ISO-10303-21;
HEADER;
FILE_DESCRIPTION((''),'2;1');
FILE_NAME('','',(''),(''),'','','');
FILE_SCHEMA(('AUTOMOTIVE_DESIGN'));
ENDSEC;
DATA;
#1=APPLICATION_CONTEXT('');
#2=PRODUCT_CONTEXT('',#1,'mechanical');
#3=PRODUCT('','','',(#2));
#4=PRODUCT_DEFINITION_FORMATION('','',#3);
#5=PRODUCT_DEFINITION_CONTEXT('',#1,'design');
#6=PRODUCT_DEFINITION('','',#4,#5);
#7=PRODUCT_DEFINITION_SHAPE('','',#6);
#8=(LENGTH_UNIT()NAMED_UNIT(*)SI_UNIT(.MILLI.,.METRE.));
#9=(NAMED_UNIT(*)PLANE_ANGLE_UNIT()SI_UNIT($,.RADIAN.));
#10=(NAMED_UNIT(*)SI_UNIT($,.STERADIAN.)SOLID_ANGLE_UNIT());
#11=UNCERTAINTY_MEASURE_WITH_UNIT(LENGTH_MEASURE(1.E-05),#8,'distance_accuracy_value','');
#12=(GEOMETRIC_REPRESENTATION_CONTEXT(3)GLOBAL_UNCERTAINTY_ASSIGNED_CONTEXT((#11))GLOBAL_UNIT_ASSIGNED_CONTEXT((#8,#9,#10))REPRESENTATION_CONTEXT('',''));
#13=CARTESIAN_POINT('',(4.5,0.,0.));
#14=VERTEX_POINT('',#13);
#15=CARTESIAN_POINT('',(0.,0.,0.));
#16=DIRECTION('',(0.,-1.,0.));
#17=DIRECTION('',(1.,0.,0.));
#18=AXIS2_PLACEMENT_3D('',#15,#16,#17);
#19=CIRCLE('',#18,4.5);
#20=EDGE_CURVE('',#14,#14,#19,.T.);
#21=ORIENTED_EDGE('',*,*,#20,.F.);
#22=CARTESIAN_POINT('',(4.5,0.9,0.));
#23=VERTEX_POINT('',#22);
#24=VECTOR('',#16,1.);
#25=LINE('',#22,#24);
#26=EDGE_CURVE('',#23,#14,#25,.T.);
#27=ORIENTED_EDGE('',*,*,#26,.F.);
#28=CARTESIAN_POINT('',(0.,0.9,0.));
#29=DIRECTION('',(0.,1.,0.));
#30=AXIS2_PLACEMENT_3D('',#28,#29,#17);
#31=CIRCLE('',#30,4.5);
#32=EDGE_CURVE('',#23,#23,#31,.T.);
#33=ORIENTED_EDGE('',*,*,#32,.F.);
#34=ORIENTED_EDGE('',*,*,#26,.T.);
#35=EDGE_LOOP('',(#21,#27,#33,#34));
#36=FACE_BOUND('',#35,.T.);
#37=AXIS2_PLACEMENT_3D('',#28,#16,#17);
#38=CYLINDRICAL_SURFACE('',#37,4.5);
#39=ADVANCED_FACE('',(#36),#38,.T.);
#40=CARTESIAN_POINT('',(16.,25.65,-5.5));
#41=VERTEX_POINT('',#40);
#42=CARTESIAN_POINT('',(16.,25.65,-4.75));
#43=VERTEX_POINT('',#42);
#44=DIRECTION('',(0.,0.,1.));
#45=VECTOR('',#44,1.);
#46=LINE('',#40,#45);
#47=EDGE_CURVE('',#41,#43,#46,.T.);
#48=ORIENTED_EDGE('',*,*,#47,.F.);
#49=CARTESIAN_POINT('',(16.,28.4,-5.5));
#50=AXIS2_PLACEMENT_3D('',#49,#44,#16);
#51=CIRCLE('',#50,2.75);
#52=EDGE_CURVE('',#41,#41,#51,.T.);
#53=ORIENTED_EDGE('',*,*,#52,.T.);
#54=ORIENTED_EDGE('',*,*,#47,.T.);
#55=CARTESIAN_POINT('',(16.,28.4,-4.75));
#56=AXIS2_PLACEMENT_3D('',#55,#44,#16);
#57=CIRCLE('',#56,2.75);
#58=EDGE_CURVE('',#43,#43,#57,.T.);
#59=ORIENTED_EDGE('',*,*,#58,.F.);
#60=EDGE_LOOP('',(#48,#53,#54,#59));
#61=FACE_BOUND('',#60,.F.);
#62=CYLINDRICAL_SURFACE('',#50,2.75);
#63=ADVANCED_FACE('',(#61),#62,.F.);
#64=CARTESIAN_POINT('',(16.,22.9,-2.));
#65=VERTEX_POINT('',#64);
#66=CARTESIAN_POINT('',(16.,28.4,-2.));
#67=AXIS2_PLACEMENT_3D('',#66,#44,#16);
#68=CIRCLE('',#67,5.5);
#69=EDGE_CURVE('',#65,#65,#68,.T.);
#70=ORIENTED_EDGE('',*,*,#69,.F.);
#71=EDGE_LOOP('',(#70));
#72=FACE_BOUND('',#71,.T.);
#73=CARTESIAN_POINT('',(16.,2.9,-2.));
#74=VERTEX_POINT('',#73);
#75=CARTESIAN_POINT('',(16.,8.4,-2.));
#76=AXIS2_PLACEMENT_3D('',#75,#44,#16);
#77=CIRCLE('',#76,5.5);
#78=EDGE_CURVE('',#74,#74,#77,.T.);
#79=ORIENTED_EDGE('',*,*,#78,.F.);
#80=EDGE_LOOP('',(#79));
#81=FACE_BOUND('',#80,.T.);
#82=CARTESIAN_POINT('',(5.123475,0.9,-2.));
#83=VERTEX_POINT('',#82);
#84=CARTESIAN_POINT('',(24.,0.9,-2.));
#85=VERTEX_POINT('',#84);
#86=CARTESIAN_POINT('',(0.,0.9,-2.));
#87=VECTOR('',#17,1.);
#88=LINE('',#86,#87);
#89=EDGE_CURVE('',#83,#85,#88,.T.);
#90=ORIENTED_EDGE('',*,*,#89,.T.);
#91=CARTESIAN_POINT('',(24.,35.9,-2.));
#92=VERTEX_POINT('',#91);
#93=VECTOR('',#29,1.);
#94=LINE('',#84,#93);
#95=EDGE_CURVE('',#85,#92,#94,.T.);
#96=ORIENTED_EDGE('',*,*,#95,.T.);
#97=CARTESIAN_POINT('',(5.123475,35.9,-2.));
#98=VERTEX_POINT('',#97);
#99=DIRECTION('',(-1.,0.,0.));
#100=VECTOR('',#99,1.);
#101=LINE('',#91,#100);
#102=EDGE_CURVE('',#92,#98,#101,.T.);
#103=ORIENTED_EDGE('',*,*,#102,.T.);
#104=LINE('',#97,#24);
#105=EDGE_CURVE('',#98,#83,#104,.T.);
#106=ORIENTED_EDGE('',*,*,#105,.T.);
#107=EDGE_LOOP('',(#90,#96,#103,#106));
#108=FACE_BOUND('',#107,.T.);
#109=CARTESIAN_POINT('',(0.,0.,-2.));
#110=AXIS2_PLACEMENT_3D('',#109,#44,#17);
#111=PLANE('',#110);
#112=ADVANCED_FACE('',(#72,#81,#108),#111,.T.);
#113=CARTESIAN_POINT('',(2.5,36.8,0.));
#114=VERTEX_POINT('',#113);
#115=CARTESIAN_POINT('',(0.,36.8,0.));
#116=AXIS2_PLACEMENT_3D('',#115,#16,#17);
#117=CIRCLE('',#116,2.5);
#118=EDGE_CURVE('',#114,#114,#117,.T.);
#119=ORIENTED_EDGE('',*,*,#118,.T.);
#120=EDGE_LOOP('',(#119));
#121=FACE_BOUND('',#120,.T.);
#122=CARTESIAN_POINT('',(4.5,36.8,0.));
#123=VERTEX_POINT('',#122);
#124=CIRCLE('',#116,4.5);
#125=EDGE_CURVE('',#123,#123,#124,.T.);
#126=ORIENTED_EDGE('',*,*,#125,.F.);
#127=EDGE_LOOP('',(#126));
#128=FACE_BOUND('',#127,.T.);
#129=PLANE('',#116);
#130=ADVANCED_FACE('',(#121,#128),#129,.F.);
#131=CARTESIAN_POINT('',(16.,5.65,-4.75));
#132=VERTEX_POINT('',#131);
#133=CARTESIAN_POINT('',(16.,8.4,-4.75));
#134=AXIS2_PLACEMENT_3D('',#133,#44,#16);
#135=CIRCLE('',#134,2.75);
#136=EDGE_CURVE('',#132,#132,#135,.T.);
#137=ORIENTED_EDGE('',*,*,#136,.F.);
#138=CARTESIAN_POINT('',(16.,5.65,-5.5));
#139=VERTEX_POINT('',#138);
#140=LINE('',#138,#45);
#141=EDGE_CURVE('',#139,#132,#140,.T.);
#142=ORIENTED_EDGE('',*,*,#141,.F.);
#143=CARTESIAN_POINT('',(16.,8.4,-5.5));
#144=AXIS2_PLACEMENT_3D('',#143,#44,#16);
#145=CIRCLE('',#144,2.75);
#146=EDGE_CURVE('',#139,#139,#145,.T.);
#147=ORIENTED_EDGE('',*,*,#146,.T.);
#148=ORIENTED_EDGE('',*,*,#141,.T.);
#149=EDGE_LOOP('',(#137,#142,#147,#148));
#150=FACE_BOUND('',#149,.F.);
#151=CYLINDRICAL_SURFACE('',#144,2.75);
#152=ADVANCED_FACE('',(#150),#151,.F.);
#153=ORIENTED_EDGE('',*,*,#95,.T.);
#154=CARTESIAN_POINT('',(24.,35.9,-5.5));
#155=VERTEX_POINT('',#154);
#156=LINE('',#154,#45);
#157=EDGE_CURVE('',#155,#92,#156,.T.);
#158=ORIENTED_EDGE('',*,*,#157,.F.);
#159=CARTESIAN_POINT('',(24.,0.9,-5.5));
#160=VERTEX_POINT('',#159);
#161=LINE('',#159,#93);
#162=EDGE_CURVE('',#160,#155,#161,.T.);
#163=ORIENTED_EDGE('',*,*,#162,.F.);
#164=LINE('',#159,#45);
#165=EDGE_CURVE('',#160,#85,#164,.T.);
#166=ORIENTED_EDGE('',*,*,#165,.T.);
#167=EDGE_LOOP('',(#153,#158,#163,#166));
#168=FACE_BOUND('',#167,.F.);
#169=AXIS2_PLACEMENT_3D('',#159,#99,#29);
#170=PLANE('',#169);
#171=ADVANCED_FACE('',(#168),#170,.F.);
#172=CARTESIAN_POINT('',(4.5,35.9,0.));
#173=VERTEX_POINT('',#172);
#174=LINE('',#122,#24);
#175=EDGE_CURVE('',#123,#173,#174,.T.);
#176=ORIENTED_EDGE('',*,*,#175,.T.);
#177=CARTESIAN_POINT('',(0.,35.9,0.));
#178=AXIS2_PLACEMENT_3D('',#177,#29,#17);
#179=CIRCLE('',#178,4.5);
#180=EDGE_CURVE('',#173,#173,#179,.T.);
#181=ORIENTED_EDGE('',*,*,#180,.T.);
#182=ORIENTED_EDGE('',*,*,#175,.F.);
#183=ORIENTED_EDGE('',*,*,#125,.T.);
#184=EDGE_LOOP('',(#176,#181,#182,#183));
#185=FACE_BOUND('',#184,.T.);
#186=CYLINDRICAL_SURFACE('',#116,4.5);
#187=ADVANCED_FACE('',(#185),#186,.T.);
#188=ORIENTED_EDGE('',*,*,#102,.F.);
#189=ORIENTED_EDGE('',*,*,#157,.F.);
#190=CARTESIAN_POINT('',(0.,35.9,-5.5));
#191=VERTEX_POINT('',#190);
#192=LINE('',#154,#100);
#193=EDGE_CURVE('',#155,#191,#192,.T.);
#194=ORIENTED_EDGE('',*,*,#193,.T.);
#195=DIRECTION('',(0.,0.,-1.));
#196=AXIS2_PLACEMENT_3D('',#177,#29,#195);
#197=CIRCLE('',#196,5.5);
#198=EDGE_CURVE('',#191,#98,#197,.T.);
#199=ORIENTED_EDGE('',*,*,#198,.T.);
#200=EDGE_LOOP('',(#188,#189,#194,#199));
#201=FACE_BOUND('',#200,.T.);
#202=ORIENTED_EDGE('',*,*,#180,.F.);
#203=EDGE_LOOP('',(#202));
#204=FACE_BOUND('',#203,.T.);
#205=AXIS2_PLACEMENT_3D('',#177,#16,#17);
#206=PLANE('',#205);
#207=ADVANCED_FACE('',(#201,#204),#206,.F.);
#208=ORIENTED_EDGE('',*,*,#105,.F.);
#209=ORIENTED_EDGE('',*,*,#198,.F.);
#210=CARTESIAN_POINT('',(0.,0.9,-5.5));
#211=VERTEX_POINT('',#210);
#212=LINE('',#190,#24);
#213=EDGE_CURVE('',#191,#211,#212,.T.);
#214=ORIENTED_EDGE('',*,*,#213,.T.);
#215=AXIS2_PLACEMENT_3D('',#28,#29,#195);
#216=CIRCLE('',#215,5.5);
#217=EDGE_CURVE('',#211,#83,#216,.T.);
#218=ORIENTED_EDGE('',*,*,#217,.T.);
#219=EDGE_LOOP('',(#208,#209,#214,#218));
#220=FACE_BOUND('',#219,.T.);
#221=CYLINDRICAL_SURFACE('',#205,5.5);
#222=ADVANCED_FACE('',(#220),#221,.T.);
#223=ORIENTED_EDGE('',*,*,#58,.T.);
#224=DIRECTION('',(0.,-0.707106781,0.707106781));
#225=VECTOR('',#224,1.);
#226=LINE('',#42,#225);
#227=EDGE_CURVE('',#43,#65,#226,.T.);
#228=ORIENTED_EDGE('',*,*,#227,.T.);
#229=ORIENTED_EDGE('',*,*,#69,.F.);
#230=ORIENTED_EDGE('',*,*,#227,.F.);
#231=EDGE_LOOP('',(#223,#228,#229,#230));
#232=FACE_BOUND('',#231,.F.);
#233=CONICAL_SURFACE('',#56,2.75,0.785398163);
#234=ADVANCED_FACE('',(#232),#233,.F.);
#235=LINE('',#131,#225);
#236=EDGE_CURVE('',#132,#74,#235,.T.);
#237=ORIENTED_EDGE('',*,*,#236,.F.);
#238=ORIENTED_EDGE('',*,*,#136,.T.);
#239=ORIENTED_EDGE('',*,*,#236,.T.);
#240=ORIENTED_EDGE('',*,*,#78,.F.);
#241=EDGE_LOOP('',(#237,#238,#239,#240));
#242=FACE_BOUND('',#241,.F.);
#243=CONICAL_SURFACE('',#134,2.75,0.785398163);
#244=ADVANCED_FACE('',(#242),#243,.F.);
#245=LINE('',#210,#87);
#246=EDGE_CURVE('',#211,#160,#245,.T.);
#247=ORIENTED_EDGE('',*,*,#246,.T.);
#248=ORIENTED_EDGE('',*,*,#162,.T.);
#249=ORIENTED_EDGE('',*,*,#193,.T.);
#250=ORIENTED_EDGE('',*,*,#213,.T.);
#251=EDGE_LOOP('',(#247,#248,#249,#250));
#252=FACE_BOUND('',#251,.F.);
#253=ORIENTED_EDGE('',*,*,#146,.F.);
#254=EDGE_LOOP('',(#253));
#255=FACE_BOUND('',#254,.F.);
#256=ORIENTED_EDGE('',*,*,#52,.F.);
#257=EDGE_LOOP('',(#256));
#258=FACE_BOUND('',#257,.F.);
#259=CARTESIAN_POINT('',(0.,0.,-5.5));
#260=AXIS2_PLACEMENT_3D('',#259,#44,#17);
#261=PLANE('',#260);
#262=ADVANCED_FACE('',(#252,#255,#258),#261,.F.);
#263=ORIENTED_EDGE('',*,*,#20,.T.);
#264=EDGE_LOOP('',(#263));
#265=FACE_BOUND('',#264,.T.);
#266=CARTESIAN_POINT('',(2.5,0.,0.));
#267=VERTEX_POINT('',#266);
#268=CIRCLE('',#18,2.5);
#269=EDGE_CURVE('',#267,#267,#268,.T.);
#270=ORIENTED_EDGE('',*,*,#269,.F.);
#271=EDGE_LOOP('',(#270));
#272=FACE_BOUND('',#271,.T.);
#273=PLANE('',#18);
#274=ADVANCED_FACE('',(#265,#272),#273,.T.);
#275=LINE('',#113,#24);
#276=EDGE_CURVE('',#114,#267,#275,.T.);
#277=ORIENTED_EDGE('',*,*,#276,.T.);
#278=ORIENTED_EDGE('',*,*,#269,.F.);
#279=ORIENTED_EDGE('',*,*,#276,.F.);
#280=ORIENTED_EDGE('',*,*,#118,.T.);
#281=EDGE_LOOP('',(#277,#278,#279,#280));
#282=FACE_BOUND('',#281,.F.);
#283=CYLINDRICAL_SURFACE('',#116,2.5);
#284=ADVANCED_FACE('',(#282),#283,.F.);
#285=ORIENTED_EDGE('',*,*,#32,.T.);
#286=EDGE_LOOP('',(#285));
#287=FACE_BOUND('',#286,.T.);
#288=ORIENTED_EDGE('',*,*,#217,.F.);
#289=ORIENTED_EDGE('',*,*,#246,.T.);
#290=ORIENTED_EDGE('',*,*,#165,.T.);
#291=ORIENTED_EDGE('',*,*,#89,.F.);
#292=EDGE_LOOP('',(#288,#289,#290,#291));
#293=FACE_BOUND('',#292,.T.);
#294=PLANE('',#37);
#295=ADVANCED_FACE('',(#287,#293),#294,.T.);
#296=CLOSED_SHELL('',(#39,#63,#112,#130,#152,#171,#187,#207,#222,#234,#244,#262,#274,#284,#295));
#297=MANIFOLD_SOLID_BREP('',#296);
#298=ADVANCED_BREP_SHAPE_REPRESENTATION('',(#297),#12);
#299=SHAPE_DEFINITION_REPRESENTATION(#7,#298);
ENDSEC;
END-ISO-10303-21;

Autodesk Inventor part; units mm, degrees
sketch "Sketch_1" plane through (0, 0, 0) normal (0, 0, 1) x (1, 0, 0)
  line L0 (0, 0) -> (0, 36.8)
  line L1 (0, 36.8) -> (4.5, 36.8)
  line L2 (4.5, 36.8) -> (4.5, 35.9)
  line L3 (4.5, 35.9) -> (5.5, 35.9)
  line L4 (5.5, 35.9) -> (5.5, 0.9)
  line L5 (5.5, 0.9) -> (4.5, 0.9)
  line L6 (4.5, 0.9) -> (4.5, 0)
  line L7 (4.5, 0) -> (0, 0)
  line L8 (0, 0) -> (0, 36.8)
revolve "Revolution1" add sketch "Sketch_1" angle 360 about axis through (0, 0, 0) along (0, -1, 0)
sketch "Sketch_3" plane through (0, 0, -5.5) normal (0, 0, 1) x (1, 0, 0)
  line L0 (0, 0.9) -> (24, 0.9)
  line L1 (24, 0.9) -> (24, 35.9)
  line L2 (24, 35.9) -> (0, 35.9)
  line L3 (0, 35.9) -> (0, 0.9)
extrude "Extrusion1" add sketch "Sketch_3" along normal blind 3.5
sketch "Sketch_6" plane through (16, 0, 0) normal (1, 0, 0) x (0, 0, -1)
  line L0 (2, 8.4) -> (5.5, 8.4)
  line L1 (5.5, 8.4) -> (5.5, 5.65)
  line L2 (5.5, 5.65) -> (4.75, 5.65)
  line L3 (4.75, 5.65) -> (2, 2.9)
  line L4 (2, 2.9) -> (2, 8.4)
  line L5 (2, 8.4) -> (5.5, 8.4)
revolve "Revolution2" cut sketch "Sketch_6" angle 360 about axis through (16, 8.4, -2) along (0, 0, 1)
sketch "Sketch_7" plane through (16, 0, 0) normal (1, 0, 0) x (0, 0, -1)
  line L0 (2, 28.4) -> (5.5, 28.4)
  line L1 (5.5, 28.4) -> (5.5, 25.65)
  line L2 (5.5, 25.65) -> (4.75, 25.65)
  line L3 (4.75, 25.65) -> (2, 22.9)
  line L4 (2, 22.9) -> (2, 28.4)
  line L5 (2, 28.4) -> (5.5, 28.4)
revolve "Revolution3" cut sketch "Sketch_7" angle 360 about axis through (16, 28.4, -2) along (0, 0, 1)
sketch "Sketch_9" plane through (0, 0, 0) normal (0, 0, 1) x (1, 0, 0)
  line L0 (0, 0) -> (0, 36.8)
  line L1 (0, 36.8) -> (2.5, 36.8)
  line L2 (2.5, 36.8) -> (2.5, 0)
  line L3 (2.5, 0) -> (0, 0)
  line L4 (0, 0) -> (0, 36.8)
revolve "Revolution4" cut sketch "Sketch_9" angle 360 about axis through (0, 0, 0) along (0, -1, 0)
ref_plane "2_XY" through (0, 0, 0) normal (0, 1, 0) x (1, 0, 0)
ref_plane "2_YZ" through (0, 0, 0) normal (1, 0, 0) x (0, 0, -1)
ref_plane "2_ZX" through (0, 0, 0) normal (0, 0, -1) x (0, 1, 0)
ref_plane "to_bolt3_r_XY" through (16, 28.4, -2) normal (0, 0, 1) x (1, 0, 0)
ref_plane "to_bolt3_r_YZ" through (16, 28.4, -2) normal (1, 0, 0) x (0, 1, 0)
ref_plane "to_bolt3_r_ZX" through (16, 28.4, -2) normal (0, 1, 0) x (0, 0, 1)
ref_plane "to_bolt4_r_XY" through (16, 8.4, -2) normal (0, 0, 1) x (1, 0, 0)
ref_plane "to_bolt4_r_YZ" through (16, 8.4, -2) normal (1, 0, 0) x (0, 1, 0)
ref_plane "to_bolt4_r_ZX" through (16, 8.4, -2) normal (0, 1, 0) x (0, 0, 1)
ref_plane "to_bolt3_XY" through (-16, 28.4, -2) normal (0, 0, 1) x (1, 0, 0)
ref_plane "to_bolt3_YZ" through (-16, 28.4, -2) normal (1, 0, 0) x (0, 1, 0)
ref_plane "to_bolt3_ZX" through (-16, 28.4, -2) normal (0, 1, 0) x (0, 0, 1)
ref_plane "to_bolt4_XY" through (-16, 8.4, -2) normal (0, 0, 1) x (1, 0, 0)
ref_plane "to_bolt4_YZ" through (-16, 8.4, -2) normal (1, 0, 0) x (0, 1, 0)
ref_plane "to_bolt4_ZX" through (-16, 8.4, -2) normal (0, 1, 0) x (0, 0, 1)
properties part number "HHPFRN5-2"
